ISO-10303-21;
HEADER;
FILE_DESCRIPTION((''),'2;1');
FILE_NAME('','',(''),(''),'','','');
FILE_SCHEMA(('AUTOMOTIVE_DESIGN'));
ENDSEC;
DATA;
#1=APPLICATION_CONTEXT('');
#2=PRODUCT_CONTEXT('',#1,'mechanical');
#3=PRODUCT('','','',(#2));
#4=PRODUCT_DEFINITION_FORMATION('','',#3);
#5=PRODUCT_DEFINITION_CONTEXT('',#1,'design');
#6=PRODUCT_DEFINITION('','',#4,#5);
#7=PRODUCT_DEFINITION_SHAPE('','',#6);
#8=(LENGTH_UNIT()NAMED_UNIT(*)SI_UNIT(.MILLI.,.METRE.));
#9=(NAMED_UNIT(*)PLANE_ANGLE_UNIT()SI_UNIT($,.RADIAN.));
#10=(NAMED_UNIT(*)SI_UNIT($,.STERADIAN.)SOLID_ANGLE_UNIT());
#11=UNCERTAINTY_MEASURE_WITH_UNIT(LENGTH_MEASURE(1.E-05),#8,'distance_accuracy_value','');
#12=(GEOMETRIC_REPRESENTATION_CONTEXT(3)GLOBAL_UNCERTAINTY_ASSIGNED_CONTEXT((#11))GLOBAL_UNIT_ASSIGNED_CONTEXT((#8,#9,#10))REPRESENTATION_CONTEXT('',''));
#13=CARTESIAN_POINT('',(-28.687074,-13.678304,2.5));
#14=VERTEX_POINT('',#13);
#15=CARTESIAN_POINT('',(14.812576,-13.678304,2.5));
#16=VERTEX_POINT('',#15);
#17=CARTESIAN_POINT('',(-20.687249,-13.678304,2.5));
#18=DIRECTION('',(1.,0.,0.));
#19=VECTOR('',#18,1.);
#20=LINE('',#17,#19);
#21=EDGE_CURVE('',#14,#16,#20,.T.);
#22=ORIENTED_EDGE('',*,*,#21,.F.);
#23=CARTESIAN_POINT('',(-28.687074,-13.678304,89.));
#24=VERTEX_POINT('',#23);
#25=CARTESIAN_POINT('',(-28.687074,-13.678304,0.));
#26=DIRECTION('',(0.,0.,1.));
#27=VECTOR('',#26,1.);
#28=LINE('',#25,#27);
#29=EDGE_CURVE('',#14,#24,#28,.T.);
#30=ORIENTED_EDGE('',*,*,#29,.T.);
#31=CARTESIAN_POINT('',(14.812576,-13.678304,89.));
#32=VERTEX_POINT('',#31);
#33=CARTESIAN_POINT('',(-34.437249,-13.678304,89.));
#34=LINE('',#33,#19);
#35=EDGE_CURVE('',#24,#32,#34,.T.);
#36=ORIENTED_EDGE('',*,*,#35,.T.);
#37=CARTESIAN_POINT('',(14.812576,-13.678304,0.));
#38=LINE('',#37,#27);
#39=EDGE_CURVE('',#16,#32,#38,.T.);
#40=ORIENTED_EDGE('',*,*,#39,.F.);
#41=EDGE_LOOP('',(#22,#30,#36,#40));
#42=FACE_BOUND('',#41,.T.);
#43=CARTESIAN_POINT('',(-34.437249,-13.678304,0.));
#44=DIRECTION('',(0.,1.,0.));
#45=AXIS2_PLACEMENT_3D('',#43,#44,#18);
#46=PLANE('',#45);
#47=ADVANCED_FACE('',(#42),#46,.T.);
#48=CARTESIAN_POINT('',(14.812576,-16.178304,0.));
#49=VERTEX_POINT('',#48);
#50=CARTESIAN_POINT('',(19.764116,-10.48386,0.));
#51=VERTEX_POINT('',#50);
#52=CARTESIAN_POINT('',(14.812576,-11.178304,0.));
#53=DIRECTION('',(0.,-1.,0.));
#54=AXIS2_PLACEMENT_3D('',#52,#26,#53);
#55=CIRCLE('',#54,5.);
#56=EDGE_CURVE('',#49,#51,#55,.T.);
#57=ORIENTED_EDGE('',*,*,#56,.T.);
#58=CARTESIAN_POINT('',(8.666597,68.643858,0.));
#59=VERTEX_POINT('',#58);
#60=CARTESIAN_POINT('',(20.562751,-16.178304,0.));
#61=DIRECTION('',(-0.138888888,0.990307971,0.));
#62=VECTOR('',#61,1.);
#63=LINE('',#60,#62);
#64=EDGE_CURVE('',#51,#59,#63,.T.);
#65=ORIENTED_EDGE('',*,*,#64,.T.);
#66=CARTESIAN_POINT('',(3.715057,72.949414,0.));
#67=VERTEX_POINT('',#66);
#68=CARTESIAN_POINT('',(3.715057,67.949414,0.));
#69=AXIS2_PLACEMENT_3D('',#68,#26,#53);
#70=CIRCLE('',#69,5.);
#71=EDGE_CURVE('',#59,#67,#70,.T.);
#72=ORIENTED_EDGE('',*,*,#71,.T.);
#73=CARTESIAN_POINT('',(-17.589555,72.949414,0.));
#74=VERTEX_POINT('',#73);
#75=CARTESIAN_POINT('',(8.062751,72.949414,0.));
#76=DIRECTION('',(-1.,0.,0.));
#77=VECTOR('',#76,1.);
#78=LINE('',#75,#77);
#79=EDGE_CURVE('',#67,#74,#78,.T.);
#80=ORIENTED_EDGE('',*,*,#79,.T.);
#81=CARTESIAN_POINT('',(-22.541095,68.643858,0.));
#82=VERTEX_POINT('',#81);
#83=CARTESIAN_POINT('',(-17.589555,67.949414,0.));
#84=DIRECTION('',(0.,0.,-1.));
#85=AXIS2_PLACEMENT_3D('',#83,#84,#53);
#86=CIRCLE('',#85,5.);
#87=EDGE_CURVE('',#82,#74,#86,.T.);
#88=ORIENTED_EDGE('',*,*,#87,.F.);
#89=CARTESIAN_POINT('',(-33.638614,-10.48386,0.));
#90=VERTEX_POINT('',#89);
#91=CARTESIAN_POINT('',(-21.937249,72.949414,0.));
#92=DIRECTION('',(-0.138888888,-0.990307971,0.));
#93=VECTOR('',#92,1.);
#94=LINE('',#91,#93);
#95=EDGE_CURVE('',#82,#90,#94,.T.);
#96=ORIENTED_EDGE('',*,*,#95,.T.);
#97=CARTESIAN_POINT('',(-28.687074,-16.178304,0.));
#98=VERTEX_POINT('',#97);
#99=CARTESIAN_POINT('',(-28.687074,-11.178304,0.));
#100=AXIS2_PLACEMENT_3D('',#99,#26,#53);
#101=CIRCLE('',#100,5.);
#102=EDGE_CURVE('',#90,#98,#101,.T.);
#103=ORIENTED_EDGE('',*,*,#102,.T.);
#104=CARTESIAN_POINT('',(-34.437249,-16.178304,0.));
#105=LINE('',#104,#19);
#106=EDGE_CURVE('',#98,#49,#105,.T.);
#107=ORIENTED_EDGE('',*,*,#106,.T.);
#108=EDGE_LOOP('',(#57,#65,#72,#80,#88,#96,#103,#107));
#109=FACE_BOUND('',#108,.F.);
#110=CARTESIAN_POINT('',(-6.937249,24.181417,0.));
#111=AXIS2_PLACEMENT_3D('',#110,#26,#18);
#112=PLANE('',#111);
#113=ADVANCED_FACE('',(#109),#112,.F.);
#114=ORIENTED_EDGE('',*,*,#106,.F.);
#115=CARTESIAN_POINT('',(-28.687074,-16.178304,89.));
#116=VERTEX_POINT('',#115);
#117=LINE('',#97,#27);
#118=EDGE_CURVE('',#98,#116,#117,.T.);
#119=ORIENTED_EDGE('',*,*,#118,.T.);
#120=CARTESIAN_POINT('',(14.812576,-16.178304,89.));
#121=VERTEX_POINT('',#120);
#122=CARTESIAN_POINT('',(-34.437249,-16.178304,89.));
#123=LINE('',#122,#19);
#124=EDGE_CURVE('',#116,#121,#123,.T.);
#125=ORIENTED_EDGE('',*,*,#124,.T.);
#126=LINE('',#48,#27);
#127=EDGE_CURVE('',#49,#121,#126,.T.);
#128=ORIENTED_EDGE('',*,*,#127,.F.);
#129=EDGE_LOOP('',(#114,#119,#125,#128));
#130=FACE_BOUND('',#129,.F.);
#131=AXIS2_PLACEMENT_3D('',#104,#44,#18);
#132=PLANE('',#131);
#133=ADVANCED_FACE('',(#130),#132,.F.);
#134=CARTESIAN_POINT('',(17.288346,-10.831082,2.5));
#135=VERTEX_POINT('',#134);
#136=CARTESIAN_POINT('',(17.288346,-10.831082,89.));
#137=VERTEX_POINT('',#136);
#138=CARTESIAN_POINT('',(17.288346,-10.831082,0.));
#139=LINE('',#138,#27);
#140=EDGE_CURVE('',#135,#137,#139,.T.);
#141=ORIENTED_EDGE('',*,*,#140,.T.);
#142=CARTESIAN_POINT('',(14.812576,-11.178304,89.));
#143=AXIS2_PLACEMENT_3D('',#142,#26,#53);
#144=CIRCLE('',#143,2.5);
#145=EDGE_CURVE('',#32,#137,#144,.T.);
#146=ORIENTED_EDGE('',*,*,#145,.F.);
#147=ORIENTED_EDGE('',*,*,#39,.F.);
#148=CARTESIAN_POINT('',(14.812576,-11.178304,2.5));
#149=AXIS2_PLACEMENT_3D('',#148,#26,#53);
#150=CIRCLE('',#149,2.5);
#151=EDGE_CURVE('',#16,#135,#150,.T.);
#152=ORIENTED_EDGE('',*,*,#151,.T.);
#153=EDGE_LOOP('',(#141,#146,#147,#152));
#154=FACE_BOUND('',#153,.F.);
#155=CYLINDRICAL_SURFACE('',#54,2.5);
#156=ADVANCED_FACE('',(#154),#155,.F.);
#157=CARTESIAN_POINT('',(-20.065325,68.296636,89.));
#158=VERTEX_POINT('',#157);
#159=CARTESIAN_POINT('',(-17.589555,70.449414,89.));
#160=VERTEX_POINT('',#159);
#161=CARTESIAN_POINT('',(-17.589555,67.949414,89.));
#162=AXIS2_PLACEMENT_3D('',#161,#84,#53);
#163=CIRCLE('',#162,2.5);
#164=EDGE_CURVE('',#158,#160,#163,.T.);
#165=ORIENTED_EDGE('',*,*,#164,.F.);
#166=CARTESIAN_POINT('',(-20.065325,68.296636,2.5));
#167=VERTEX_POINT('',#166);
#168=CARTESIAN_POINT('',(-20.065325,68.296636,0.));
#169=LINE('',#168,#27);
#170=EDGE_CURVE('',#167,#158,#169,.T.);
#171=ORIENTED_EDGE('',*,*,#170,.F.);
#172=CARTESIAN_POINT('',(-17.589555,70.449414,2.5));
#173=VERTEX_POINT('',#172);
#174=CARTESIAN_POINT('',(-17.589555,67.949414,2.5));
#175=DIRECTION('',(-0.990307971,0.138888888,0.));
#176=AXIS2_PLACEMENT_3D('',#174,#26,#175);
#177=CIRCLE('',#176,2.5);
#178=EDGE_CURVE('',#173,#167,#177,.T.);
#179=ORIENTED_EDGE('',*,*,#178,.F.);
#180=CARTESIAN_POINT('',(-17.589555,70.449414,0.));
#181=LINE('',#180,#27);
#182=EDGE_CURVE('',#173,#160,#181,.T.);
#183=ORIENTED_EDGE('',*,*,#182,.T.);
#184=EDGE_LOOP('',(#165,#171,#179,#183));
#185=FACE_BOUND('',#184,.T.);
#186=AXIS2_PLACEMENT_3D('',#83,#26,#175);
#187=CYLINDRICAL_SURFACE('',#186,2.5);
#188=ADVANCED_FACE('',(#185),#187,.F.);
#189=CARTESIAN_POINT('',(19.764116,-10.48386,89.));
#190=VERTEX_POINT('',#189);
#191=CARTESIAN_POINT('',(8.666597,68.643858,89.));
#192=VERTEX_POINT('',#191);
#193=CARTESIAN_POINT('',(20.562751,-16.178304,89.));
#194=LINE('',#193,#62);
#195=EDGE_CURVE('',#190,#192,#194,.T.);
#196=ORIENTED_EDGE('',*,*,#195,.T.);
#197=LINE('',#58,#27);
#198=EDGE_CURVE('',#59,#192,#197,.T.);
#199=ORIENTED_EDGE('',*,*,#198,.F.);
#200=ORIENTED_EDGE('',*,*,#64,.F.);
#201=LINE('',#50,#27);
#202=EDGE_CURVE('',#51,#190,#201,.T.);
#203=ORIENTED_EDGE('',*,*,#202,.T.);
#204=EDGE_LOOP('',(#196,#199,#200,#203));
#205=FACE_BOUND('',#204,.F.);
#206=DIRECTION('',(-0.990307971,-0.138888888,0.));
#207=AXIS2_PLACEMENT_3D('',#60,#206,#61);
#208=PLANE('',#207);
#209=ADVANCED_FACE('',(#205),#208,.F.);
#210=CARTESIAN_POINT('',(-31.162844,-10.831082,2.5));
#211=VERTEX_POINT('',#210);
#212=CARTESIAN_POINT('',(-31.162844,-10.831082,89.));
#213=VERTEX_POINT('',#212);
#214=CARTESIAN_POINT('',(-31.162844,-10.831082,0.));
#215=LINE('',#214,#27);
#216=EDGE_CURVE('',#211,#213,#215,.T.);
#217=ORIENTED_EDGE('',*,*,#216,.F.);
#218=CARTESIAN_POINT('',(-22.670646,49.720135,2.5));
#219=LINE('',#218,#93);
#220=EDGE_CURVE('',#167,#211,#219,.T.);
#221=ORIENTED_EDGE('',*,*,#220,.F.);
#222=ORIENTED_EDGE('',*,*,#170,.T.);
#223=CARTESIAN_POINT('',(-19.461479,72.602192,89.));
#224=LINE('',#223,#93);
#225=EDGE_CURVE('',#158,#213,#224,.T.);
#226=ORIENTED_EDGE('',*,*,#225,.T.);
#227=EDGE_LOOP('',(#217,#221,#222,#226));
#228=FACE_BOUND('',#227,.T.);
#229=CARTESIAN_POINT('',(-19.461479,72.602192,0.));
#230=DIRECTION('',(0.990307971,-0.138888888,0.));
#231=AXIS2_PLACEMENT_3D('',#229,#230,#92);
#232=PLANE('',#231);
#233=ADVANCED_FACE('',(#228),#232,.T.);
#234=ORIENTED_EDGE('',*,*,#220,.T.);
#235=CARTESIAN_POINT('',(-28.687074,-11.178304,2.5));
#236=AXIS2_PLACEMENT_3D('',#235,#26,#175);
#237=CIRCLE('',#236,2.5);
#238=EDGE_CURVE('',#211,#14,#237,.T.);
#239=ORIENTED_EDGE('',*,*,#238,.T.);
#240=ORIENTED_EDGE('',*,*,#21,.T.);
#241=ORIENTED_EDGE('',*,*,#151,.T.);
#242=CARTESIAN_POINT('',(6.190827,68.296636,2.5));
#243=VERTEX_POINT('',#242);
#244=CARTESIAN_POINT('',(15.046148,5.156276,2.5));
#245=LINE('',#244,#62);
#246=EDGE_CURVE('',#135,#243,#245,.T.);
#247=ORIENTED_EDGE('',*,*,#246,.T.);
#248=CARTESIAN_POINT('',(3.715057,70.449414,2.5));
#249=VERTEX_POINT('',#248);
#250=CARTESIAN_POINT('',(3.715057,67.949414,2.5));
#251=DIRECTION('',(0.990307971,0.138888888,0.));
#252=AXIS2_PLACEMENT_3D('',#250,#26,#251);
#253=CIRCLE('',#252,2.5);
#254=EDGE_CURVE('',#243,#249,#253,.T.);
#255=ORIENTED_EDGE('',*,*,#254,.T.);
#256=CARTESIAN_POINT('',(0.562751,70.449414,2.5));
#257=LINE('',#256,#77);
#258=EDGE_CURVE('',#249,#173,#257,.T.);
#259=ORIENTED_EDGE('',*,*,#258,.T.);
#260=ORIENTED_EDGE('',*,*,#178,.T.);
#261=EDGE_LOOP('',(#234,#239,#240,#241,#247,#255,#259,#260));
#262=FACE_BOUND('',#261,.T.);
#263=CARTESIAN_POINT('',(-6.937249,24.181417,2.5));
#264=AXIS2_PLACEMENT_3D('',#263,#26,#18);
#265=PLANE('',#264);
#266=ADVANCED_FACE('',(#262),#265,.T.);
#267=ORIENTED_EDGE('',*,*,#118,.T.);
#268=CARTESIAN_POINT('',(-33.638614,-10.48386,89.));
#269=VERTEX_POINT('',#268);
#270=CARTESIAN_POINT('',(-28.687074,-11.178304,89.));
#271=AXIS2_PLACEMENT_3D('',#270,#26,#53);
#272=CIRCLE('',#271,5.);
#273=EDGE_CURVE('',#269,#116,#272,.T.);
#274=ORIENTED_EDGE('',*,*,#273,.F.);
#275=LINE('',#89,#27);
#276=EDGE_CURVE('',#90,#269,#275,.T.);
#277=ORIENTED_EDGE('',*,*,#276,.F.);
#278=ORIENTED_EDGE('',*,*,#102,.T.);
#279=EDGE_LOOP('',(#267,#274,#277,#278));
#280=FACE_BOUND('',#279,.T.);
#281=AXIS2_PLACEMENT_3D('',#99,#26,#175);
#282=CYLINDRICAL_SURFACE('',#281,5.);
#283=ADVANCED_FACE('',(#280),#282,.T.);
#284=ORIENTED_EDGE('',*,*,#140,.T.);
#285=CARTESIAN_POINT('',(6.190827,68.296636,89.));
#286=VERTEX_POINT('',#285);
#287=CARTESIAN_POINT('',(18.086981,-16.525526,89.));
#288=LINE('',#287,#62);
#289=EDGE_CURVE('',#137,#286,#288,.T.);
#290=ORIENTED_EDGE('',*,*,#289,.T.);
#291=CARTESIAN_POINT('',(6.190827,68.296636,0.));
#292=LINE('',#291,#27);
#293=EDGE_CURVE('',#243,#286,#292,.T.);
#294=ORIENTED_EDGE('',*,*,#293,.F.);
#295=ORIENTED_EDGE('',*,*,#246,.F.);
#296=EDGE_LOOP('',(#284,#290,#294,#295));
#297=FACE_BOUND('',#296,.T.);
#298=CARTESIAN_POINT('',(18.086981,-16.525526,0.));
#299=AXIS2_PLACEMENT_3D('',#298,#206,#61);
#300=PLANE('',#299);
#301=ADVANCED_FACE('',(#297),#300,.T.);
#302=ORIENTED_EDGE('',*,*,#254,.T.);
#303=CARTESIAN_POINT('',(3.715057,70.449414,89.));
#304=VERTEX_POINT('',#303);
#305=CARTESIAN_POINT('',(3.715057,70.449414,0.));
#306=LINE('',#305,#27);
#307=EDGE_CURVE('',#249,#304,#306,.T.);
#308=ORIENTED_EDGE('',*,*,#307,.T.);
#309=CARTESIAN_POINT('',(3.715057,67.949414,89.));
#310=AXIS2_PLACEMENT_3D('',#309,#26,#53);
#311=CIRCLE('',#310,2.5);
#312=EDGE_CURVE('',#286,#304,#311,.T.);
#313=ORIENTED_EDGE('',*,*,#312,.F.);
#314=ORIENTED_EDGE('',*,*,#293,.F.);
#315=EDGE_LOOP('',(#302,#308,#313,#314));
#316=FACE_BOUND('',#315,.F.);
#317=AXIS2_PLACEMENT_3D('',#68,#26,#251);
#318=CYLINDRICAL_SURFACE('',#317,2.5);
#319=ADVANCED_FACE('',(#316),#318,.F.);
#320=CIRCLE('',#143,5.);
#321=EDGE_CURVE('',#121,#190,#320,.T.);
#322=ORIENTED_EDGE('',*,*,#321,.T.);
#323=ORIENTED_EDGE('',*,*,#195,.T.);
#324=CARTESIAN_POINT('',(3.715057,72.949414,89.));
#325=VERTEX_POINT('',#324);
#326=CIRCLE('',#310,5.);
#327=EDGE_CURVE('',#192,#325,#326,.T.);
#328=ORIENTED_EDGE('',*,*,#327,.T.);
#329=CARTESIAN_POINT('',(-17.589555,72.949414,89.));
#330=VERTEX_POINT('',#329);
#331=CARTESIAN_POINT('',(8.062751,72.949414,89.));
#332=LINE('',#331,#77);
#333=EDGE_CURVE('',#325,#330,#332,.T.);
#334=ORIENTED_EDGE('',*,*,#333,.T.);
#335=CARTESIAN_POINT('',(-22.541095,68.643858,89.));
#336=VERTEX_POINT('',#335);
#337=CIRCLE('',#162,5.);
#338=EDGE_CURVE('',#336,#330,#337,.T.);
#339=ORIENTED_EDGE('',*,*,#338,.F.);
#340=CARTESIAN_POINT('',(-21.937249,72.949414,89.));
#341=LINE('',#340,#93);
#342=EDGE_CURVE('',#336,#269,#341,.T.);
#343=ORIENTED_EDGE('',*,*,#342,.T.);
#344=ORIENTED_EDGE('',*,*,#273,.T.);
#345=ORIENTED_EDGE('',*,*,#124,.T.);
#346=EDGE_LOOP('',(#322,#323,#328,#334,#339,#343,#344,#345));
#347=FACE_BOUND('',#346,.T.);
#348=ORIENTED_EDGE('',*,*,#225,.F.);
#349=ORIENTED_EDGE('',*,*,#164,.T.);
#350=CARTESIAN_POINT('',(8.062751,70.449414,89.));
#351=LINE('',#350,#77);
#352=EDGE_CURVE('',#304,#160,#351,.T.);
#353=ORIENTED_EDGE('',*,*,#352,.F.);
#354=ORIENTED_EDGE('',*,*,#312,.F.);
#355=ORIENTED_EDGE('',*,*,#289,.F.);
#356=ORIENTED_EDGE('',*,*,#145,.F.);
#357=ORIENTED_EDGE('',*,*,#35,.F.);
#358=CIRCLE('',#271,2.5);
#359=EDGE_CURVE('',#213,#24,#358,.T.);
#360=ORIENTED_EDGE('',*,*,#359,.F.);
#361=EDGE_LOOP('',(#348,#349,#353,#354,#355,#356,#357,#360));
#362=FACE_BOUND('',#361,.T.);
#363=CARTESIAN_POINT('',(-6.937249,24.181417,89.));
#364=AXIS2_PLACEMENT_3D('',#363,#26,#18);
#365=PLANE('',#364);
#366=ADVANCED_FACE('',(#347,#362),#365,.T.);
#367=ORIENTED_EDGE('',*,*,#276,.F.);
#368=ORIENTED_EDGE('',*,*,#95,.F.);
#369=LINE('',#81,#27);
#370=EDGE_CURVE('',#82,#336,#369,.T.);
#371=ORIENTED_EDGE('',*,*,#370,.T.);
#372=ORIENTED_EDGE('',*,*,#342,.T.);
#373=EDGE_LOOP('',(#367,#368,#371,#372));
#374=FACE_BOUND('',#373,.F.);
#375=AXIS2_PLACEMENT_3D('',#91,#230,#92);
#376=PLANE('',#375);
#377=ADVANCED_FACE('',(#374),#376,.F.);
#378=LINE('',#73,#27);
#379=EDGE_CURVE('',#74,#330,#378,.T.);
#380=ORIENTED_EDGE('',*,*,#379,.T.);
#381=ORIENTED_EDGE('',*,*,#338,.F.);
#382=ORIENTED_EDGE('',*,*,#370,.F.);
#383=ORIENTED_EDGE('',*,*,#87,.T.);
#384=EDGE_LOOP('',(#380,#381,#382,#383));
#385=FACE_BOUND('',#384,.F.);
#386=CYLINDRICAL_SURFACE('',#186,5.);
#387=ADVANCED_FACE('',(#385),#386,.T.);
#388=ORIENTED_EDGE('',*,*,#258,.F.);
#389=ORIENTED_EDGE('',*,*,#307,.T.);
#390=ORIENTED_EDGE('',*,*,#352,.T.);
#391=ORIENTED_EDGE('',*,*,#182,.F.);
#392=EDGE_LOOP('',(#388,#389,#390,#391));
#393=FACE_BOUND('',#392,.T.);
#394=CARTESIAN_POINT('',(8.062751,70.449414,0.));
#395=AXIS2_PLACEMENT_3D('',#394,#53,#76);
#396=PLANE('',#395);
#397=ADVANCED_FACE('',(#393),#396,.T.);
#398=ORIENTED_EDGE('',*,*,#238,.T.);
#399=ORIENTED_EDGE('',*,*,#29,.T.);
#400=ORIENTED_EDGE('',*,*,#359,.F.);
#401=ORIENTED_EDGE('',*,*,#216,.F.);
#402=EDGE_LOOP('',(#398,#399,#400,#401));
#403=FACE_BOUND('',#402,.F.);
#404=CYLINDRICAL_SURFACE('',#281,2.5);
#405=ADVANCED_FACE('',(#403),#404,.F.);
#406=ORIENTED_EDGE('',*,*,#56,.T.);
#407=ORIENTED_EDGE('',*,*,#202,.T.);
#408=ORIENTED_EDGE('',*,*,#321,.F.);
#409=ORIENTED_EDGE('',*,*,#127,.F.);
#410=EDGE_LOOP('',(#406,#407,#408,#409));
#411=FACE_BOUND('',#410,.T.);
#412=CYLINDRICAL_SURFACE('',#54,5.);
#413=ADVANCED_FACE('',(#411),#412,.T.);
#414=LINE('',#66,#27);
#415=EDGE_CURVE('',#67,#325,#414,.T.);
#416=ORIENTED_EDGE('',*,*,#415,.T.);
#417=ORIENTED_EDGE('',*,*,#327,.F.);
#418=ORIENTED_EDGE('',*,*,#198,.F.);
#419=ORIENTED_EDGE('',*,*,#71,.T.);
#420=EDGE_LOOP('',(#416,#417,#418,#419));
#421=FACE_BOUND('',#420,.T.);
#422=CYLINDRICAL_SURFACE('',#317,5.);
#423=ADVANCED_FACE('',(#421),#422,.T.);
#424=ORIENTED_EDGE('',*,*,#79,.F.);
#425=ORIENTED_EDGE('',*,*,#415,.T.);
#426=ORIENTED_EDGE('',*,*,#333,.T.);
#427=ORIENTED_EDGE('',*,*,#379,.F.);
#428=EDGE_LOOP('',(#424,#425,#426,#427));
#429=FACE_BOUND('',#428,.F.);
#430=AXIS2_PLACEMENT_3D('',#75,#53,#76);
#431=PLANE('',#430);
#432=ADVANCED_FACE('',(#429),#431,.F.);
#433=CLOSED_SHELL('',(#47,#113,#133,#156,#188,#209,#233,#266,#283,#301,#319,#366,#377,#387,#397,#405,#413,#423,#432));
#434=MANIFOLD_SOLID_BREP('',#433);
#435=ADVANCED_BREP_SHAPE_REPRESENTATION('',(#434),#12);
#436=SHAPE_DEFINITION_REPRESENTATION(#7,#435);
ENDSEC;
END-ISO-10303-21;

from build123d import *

# Parameters (mm, degrees)
F1_DEPTH = 89
F2_R     = 5
F3_T     = -2.5


with BuildPart() as f1:
    # F0 (on Top) → F1 (new body)
    with BuildSketch(Plane.XY):
        Polygon((-21.937249, 72.949414), (-34.437249, -16.178304), (20.562751, -16.178304), (8.062751, 72.949414), align=None)
    extrude(amount=F1_DEPTH)

    # F2
    f2_edges = [f1.edges().sort_by_distance(p)[0] for p in [
        (-34.437249, -16.178304, 44.5),
        (20.562751, -16.178304, 44.5),
        (8.062751, 72.949414, 44.5),
        (-21.937249, 72.949414, 44.5),
    ]]
    fillet(f2_edges, radius=F2_R)

    # F3
    f3_openings = [f1.faces().sort_by_distance(p)[0] for p in [
        (-6.937249, 24.070878, 89),
    ]]
    offset(amount=F3_T, openings=f3_openings)


solid = f1.part
